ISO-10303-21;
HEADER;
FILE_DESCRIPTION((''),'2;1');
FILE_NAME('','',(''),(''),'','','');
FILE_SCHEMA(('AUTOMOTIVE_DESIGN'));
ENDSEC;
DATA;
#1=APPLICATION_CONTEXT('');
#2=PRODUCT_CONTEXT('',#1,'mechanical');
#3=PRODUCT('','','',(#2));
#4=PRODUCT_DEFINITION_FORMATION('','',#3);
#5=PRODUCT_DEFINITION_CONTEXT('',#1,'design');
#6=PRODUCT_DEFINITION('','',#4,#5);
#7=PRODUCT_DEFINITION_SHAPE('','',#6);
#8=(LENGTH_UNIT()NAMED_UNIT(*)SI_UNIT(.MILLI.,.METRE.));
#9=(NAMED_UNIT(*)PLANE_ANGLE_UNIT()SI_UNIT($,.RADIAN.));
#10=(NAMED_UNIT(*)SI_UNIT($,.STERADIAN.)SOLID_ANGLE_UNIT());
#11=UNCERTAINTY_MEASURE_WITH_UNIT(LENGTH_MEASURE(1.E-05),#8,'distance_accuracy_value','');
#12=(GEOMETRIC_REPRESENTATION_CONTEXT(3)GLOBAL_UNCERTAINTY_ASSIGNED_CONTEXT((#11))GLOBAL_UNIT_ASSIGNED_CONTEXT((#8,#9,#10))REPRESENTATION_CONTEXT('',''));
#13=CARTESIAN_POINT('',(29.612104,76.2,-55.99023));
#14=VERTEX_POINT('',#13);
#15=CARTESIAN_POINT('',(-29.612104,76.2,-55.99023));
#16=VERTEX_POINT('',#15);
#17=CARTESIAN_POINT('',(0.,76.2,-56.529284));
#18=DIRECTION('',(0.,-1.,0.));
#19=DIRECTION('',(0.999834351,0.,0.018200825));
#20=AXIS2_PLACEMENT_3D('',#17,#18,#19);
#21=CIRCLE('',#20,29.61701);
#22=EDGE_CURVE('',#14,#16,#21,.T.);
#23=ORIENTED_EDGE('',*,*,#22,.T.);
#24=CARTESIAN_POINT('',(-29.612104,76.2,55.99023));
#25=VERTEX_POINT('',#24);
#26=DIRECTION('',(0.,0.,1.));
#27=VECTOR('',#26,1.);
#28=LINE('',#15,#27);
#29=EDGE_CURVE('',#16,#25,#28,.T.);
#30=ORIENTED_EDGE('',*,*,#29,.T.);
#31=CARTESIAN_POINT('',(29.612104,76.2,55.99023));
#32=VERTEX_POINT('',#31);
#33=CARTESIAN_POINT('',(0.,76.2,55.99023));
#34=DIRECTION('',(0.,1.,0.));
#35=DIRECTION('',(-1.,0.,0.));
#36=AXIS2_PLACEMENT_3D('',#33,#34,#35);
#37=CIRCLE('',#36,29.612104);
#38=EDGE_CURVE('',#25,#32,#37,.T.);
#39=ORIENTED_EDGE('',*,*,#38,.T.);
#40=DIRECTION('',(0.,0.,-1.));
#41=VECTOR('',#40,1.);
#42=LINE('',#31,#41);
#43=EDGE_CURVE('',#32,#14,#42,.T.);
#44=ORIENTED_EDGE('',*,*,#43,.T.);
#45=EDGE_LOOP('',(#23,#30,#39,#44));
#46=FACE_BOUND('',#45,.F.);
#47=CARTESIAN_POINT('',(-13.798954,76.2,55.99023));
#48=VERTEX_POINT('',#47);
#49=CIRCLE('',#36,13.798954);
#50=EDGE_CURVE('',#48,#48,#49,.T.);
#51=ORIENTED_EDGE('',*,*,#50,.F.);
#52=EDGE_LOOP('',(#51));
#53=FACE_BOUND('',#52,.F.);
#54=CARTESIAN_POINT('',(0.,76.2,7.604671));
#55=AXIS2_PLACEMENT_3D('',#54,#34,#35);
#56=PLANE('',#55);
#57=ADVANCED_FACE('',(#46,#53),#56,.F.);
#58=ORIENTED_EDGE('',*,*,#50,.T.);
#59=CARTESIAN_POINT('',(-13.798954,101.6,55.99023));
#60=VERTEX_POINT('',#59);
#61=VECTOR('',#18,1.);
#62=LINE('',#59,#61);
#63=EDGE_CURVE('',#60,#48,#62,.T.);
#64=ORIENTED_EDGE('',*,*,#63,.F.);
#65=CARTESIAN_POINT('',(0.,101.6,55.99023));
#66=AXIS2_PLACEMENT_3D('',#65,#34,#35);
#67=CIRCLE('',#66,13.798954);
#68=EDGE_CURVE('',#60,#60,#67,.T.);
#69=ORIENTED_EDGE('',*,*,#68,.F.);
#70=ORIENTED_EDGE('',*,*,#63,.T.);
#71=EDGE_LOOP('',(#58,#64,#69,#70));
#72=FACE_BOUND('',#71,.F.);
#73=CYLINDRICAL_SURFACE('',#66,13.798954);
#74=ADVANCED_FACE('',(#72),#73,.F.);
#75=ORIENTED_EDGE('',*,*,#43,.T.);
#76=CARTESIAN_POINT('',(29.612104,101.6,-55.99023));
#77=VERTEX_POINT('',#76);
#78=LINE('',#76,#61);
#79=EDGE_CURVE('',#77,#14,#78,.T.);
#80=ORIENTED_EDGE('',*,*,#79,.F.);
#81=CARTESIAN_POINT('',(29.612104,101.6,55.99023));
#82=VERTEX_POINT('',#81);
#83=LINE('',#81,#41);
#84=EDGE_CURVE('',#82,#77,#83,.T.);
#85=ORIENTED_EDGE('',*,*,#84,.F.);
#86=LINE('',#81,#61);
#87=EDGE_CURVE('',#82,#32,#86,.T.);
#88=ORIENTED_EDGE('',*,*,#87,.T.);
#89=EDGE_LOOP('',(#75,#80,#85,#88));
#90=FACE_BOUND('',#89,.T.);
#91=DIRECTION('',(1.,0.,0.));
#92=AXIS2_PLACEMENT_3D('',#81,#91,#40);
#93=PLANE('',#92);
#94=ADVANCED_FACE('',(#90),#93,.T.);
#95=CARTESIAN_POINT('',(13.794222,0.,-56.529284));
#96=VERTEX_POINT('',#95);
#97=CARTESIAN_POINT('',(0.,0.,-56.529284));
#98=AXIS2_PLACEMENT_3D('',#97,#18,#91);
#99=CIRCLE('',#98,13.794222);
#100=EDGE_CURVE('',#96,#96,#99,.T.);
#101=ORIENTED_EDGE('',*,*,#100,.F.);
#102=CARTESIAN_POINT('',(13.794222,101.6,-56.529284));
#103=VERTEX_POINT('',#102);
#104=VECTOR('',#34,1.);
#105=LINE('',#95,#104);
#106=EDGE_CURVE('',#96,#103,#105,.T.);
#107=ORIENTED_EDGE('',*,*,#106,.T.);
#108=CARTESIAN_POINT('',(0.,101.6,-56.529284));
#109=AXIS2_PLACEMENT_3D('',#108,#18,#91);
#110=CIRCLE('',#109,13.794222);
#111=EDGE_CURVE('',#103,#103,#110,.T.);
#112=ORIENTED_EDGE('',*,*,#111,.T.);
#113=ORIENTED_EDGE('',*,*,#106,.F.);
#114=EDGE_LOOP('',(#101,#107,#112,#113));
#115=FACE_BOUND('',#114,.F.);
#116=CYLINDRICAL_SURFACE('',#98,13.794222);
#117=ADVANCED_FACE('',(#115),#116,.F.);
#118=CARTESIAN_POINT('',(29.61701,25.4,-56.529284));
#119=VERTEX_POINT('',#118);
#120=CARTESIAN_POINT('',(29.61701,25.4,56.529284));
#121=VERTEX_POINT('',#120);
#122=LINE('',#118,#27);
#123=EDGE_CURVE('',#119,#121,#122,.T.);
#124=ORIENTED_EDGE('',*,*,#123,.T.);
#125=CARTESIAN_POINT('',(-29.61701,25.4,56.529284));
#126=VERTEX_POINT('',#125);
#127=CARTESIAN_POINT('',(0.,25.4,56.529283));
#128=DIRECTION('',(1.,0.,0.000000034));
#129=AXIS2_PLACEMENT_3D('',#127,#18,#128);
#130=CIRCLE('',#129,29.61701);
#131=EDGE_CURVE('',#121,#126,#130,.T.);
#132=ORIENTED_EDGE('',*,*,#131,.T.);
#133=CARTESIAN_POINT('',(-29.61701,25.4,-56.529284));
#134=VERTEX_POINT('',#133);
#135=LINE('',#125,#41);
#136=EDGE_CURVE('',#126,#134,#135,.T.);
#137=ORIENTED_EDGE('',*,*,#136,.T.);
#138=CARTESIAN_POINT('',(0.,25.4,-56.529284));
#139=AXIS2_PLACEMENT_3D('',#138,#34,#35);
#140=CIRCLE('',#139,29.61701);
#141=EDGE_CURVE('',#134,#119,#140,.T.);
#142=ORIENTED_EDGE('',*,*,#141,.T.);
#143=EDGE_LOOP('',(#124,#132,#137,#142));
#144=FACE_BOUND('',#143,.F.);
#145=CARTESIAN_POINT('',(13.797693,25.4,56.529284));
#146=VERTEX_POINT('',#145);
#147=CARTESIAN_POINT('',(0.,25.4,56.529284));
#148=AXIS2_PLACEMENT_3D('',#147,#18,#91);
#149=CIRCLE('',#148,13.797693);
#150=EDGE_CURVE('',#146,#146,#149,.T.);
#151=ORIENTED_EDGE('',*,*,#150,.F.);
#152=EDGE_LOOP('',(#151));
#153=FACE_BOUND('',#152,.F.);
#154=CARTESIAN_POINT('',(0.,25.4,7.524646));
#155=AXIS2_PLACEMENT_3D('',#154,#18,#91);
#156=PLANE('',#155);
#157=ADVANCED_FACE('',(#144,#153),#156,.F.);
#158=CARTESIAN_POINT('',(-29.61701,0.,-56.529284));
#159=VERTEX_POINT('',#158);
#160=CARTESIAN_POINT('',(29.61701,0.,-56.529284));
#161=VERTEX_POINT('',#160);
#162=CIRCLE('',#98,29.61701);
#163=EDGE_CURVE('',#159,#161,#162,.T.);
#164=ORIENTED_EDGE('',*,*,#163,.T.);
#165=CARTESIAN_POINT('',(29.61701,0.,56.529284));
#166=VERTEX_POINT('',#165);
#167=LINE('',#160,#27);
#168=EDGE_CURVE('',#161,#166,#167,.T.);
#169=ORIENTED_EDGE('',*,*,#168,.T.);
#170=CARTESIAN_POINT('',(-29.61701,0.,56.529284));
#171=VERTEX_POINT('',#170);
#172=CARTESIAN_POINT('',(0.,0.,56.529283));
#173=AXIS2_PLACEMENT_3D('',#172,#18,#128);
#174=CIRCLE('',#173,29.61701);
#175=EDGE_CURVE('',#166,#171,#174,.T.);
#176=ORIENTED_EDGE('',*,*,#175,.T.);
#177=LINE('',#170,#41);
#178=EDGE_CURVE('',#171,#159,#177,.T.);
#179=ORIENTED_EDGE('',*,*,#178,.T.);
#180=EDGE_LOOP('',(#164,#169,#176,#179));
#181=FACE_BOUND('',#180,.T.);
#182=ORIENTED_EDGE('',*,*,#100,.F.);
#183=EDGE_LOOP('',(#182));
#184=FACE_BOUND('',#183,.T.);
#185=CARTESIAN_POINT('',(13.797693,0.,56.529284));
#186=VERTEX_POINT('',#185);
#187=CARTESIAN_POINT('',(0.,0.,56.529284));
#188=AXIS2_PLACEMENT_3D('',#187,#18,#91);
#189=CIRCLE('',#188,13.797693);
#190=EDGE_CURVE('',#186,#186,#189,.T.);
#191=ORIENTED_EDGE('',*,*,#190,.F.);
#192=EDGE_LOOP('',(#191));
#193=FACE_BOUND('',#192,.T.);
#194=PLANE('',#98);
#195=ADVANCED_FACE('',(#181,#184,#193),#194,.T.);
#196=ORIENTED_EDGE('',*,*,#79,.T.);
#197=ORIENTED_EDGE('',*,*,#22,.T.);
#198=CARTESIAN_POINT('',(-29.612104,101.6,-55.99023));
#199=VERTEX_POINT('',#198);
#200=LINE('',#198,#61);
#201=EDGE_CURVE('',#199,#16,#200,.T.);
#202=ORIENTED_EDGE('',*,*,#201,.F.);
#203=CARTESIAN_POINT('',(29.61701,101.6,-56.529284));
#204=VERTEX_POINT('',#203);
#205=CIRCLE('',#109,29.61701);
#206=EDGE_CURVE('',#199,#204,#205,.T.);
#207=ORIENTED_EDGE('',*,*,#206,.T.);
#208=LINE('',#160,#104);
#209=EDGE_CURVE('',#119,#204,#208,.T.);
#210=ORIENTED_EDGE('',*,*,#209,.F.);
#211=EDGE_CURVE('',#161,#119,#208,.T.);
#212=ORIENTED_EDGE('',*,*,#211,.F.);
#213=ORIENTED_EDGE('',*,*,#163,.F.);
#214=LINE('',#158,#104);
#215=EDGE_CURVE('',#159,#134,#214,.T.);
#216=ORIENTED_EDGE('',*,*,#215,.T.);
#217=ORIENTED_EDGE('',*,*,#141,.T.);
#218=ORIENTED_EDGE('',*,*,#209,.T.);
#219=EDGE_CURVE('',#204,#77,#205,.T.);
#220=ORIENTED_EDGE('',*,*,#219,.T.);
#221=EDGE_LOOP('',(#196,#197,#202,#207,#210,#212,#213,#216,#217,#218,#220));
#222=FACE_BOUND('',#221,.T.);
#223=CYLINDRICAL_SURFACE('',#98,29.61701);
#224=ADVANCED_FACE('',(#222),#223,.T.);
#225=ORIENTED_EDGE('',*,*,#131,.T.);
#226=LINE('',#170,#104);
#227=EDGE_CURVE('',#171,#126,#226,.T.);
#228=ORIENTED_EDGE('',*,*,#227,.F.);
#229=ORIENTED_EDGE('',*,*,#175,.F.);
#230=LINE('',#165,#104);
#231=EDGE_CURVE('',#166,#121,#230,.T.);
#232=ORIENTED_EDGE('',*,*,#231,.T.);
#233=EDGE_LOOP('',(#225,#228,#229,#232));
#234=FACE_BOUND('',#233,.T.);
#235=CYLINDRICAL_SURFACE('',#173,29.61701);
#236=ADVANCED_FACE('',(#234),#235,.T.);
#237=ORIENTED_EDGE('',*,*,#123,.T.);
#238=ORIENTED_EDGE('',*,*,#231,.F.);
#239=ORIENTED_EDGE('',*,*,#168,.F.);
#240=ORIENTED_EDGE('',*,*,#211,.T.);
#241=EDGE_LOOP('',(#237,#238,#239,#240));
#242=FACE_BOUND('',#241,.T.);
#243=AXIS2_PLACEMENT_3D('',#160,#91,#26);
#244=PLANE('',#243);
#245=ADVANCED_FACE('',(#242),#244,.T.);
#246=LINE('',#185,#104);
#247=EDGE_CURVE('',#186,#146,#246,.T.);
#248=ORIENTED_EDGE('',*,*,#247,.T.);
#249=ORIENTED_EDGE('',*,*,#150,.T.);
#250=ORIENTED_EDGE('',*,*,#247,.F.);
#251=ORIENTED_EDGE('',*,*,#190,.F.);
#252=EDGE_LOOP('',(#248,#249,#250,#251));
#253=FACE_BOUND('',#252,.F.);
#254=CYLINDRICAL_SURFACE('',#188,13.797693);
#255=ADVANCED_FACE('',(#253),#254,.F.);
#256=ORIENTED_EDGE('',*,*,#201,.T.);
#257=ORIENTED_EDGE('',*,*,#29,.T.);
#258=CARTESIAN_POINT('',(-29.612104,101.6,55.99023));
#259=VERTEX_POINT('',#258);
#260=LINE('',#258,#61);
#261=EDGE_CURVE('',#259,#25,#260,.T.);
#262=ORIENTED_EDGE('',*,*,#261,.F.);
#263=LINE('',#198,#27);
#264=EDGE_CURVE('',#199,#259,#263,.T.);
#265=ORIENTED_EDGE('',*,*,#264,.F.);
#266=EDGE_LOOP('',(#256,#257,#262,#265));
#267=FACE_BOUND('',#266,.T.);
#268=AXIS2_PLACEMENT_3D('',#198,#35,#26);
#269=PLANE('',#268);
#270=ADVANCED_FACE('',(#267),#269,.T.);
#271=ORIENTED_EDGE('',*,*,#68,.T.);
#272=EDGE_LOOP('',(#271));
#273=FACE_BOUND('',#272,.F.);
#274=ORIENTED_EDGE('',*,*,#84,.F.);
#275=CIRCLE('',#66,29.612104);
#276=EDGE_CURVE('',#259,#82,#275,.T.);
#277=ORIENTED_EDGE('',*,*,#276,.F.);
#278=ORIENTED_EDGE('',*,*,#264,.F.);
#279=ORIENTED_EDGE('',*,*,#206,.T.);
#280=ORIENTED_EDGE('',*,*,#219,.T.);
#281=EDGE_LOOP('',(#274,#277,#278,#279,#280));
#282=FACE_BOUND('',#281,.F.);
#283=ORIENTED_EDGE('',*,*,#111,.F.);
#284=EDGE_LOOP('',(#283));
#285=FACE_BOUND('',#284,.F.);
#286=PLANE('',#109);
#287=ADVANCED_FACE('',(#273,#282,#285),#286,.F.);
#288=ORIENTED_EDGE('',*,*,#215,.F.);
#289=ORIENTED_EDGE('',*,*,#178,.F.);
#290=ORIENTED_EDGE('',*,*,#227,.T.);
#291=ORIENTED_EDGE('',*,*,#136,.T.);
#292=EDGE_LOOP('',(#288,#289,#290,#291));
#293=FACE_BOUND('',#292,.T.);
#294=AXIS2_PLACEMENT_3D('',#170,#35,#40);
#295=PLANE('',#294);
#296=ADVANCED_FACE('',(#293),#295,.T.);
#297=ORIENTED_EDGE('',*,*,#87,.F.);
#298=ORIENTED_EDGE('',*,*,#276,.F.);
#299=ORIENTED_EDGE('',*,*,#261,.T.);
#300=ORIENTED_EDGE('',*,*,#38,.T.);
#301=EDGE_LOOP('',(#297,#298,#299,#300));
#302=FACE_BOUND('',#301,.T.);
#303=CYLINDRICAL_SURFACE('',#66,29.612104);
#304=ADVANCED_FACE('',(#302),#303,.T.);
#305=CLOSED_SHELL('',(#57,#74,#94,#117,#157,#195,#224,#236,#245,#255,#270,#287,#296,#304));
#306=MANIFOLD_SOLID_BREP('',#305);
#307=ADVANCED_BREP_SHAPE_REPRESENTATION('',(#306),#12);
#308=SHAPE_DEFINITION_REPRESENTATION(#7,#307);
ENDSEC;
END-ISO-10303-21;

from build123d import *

# Parameters (mm, degrees)
F0_R     = 13.797693
F1_DEPTH = 25.4
F2_R     = 29.61701
F2_R_2   = 13.794222
F3_DEPTH = 101.6
F4_R     = 13.798954
F5_DEPTH = 25.4


with BuildPart() as f1:
    # F0 (on Front) → F1 (new body)
    with BuildSketch(Plane.XZ):
        with BuildLine():
            ThreePointArc((-29.61701, -56.529284), (0, -26.912274), (29.61701, -56.529284))
            Line((29.61701, -56.529284), (29.61701, 56.529284))
            ThreePointArc((29.61701, 56.529284), (0, 86.146293), (-29.61701, 56.529284))
            Line((-29.61701, 56.529284), (-29.61701, -56.529284))
        make_face()
        with Locations((0, 56.529284)):
            Circle(F0_R, mode=Mode.SUBTRACT)
    extrude(amount=-F1_DEPTH)

    # F2 (on face) → F3 (join)
    with BuildSketch(Plane.XZ):
        with Locations((0, -56.529284)):
            Circle(F2_R)
        with Locations((0, -56.529284)):
            Circle(F2_R_2, mode=Mode.SUBTRACT)
    extrude(amount=-F3_DEPTH)

    # F4 (on face) → F5 (join)
    with BuildSketch(Plane(origin=(0, 101.6, 0), x_dir=(-1, 0, 0), z_dir=(0, 1, 0))):
        with BuildLine():
            ThreePointArc((-29.612104, -55.99023), (0, -26.912274), (29.612104, -55.99023))
            Line((29.612104, -55.99023), (29.612104, 55.99023))
            ThreePointArc((29.612104, 55.99023), (0, 85.602334), (-29.612104, 55.99023))
            Line((-29.612104, 55.99023), (-29.612104, -55.99023))
        make_face()
        with Locations((0, 55.99023)):
            Circle(F4_R, mode=Mode.SUBTRACT)
    extrude(amount=-F5_DEPTH)


solid = f1.part
